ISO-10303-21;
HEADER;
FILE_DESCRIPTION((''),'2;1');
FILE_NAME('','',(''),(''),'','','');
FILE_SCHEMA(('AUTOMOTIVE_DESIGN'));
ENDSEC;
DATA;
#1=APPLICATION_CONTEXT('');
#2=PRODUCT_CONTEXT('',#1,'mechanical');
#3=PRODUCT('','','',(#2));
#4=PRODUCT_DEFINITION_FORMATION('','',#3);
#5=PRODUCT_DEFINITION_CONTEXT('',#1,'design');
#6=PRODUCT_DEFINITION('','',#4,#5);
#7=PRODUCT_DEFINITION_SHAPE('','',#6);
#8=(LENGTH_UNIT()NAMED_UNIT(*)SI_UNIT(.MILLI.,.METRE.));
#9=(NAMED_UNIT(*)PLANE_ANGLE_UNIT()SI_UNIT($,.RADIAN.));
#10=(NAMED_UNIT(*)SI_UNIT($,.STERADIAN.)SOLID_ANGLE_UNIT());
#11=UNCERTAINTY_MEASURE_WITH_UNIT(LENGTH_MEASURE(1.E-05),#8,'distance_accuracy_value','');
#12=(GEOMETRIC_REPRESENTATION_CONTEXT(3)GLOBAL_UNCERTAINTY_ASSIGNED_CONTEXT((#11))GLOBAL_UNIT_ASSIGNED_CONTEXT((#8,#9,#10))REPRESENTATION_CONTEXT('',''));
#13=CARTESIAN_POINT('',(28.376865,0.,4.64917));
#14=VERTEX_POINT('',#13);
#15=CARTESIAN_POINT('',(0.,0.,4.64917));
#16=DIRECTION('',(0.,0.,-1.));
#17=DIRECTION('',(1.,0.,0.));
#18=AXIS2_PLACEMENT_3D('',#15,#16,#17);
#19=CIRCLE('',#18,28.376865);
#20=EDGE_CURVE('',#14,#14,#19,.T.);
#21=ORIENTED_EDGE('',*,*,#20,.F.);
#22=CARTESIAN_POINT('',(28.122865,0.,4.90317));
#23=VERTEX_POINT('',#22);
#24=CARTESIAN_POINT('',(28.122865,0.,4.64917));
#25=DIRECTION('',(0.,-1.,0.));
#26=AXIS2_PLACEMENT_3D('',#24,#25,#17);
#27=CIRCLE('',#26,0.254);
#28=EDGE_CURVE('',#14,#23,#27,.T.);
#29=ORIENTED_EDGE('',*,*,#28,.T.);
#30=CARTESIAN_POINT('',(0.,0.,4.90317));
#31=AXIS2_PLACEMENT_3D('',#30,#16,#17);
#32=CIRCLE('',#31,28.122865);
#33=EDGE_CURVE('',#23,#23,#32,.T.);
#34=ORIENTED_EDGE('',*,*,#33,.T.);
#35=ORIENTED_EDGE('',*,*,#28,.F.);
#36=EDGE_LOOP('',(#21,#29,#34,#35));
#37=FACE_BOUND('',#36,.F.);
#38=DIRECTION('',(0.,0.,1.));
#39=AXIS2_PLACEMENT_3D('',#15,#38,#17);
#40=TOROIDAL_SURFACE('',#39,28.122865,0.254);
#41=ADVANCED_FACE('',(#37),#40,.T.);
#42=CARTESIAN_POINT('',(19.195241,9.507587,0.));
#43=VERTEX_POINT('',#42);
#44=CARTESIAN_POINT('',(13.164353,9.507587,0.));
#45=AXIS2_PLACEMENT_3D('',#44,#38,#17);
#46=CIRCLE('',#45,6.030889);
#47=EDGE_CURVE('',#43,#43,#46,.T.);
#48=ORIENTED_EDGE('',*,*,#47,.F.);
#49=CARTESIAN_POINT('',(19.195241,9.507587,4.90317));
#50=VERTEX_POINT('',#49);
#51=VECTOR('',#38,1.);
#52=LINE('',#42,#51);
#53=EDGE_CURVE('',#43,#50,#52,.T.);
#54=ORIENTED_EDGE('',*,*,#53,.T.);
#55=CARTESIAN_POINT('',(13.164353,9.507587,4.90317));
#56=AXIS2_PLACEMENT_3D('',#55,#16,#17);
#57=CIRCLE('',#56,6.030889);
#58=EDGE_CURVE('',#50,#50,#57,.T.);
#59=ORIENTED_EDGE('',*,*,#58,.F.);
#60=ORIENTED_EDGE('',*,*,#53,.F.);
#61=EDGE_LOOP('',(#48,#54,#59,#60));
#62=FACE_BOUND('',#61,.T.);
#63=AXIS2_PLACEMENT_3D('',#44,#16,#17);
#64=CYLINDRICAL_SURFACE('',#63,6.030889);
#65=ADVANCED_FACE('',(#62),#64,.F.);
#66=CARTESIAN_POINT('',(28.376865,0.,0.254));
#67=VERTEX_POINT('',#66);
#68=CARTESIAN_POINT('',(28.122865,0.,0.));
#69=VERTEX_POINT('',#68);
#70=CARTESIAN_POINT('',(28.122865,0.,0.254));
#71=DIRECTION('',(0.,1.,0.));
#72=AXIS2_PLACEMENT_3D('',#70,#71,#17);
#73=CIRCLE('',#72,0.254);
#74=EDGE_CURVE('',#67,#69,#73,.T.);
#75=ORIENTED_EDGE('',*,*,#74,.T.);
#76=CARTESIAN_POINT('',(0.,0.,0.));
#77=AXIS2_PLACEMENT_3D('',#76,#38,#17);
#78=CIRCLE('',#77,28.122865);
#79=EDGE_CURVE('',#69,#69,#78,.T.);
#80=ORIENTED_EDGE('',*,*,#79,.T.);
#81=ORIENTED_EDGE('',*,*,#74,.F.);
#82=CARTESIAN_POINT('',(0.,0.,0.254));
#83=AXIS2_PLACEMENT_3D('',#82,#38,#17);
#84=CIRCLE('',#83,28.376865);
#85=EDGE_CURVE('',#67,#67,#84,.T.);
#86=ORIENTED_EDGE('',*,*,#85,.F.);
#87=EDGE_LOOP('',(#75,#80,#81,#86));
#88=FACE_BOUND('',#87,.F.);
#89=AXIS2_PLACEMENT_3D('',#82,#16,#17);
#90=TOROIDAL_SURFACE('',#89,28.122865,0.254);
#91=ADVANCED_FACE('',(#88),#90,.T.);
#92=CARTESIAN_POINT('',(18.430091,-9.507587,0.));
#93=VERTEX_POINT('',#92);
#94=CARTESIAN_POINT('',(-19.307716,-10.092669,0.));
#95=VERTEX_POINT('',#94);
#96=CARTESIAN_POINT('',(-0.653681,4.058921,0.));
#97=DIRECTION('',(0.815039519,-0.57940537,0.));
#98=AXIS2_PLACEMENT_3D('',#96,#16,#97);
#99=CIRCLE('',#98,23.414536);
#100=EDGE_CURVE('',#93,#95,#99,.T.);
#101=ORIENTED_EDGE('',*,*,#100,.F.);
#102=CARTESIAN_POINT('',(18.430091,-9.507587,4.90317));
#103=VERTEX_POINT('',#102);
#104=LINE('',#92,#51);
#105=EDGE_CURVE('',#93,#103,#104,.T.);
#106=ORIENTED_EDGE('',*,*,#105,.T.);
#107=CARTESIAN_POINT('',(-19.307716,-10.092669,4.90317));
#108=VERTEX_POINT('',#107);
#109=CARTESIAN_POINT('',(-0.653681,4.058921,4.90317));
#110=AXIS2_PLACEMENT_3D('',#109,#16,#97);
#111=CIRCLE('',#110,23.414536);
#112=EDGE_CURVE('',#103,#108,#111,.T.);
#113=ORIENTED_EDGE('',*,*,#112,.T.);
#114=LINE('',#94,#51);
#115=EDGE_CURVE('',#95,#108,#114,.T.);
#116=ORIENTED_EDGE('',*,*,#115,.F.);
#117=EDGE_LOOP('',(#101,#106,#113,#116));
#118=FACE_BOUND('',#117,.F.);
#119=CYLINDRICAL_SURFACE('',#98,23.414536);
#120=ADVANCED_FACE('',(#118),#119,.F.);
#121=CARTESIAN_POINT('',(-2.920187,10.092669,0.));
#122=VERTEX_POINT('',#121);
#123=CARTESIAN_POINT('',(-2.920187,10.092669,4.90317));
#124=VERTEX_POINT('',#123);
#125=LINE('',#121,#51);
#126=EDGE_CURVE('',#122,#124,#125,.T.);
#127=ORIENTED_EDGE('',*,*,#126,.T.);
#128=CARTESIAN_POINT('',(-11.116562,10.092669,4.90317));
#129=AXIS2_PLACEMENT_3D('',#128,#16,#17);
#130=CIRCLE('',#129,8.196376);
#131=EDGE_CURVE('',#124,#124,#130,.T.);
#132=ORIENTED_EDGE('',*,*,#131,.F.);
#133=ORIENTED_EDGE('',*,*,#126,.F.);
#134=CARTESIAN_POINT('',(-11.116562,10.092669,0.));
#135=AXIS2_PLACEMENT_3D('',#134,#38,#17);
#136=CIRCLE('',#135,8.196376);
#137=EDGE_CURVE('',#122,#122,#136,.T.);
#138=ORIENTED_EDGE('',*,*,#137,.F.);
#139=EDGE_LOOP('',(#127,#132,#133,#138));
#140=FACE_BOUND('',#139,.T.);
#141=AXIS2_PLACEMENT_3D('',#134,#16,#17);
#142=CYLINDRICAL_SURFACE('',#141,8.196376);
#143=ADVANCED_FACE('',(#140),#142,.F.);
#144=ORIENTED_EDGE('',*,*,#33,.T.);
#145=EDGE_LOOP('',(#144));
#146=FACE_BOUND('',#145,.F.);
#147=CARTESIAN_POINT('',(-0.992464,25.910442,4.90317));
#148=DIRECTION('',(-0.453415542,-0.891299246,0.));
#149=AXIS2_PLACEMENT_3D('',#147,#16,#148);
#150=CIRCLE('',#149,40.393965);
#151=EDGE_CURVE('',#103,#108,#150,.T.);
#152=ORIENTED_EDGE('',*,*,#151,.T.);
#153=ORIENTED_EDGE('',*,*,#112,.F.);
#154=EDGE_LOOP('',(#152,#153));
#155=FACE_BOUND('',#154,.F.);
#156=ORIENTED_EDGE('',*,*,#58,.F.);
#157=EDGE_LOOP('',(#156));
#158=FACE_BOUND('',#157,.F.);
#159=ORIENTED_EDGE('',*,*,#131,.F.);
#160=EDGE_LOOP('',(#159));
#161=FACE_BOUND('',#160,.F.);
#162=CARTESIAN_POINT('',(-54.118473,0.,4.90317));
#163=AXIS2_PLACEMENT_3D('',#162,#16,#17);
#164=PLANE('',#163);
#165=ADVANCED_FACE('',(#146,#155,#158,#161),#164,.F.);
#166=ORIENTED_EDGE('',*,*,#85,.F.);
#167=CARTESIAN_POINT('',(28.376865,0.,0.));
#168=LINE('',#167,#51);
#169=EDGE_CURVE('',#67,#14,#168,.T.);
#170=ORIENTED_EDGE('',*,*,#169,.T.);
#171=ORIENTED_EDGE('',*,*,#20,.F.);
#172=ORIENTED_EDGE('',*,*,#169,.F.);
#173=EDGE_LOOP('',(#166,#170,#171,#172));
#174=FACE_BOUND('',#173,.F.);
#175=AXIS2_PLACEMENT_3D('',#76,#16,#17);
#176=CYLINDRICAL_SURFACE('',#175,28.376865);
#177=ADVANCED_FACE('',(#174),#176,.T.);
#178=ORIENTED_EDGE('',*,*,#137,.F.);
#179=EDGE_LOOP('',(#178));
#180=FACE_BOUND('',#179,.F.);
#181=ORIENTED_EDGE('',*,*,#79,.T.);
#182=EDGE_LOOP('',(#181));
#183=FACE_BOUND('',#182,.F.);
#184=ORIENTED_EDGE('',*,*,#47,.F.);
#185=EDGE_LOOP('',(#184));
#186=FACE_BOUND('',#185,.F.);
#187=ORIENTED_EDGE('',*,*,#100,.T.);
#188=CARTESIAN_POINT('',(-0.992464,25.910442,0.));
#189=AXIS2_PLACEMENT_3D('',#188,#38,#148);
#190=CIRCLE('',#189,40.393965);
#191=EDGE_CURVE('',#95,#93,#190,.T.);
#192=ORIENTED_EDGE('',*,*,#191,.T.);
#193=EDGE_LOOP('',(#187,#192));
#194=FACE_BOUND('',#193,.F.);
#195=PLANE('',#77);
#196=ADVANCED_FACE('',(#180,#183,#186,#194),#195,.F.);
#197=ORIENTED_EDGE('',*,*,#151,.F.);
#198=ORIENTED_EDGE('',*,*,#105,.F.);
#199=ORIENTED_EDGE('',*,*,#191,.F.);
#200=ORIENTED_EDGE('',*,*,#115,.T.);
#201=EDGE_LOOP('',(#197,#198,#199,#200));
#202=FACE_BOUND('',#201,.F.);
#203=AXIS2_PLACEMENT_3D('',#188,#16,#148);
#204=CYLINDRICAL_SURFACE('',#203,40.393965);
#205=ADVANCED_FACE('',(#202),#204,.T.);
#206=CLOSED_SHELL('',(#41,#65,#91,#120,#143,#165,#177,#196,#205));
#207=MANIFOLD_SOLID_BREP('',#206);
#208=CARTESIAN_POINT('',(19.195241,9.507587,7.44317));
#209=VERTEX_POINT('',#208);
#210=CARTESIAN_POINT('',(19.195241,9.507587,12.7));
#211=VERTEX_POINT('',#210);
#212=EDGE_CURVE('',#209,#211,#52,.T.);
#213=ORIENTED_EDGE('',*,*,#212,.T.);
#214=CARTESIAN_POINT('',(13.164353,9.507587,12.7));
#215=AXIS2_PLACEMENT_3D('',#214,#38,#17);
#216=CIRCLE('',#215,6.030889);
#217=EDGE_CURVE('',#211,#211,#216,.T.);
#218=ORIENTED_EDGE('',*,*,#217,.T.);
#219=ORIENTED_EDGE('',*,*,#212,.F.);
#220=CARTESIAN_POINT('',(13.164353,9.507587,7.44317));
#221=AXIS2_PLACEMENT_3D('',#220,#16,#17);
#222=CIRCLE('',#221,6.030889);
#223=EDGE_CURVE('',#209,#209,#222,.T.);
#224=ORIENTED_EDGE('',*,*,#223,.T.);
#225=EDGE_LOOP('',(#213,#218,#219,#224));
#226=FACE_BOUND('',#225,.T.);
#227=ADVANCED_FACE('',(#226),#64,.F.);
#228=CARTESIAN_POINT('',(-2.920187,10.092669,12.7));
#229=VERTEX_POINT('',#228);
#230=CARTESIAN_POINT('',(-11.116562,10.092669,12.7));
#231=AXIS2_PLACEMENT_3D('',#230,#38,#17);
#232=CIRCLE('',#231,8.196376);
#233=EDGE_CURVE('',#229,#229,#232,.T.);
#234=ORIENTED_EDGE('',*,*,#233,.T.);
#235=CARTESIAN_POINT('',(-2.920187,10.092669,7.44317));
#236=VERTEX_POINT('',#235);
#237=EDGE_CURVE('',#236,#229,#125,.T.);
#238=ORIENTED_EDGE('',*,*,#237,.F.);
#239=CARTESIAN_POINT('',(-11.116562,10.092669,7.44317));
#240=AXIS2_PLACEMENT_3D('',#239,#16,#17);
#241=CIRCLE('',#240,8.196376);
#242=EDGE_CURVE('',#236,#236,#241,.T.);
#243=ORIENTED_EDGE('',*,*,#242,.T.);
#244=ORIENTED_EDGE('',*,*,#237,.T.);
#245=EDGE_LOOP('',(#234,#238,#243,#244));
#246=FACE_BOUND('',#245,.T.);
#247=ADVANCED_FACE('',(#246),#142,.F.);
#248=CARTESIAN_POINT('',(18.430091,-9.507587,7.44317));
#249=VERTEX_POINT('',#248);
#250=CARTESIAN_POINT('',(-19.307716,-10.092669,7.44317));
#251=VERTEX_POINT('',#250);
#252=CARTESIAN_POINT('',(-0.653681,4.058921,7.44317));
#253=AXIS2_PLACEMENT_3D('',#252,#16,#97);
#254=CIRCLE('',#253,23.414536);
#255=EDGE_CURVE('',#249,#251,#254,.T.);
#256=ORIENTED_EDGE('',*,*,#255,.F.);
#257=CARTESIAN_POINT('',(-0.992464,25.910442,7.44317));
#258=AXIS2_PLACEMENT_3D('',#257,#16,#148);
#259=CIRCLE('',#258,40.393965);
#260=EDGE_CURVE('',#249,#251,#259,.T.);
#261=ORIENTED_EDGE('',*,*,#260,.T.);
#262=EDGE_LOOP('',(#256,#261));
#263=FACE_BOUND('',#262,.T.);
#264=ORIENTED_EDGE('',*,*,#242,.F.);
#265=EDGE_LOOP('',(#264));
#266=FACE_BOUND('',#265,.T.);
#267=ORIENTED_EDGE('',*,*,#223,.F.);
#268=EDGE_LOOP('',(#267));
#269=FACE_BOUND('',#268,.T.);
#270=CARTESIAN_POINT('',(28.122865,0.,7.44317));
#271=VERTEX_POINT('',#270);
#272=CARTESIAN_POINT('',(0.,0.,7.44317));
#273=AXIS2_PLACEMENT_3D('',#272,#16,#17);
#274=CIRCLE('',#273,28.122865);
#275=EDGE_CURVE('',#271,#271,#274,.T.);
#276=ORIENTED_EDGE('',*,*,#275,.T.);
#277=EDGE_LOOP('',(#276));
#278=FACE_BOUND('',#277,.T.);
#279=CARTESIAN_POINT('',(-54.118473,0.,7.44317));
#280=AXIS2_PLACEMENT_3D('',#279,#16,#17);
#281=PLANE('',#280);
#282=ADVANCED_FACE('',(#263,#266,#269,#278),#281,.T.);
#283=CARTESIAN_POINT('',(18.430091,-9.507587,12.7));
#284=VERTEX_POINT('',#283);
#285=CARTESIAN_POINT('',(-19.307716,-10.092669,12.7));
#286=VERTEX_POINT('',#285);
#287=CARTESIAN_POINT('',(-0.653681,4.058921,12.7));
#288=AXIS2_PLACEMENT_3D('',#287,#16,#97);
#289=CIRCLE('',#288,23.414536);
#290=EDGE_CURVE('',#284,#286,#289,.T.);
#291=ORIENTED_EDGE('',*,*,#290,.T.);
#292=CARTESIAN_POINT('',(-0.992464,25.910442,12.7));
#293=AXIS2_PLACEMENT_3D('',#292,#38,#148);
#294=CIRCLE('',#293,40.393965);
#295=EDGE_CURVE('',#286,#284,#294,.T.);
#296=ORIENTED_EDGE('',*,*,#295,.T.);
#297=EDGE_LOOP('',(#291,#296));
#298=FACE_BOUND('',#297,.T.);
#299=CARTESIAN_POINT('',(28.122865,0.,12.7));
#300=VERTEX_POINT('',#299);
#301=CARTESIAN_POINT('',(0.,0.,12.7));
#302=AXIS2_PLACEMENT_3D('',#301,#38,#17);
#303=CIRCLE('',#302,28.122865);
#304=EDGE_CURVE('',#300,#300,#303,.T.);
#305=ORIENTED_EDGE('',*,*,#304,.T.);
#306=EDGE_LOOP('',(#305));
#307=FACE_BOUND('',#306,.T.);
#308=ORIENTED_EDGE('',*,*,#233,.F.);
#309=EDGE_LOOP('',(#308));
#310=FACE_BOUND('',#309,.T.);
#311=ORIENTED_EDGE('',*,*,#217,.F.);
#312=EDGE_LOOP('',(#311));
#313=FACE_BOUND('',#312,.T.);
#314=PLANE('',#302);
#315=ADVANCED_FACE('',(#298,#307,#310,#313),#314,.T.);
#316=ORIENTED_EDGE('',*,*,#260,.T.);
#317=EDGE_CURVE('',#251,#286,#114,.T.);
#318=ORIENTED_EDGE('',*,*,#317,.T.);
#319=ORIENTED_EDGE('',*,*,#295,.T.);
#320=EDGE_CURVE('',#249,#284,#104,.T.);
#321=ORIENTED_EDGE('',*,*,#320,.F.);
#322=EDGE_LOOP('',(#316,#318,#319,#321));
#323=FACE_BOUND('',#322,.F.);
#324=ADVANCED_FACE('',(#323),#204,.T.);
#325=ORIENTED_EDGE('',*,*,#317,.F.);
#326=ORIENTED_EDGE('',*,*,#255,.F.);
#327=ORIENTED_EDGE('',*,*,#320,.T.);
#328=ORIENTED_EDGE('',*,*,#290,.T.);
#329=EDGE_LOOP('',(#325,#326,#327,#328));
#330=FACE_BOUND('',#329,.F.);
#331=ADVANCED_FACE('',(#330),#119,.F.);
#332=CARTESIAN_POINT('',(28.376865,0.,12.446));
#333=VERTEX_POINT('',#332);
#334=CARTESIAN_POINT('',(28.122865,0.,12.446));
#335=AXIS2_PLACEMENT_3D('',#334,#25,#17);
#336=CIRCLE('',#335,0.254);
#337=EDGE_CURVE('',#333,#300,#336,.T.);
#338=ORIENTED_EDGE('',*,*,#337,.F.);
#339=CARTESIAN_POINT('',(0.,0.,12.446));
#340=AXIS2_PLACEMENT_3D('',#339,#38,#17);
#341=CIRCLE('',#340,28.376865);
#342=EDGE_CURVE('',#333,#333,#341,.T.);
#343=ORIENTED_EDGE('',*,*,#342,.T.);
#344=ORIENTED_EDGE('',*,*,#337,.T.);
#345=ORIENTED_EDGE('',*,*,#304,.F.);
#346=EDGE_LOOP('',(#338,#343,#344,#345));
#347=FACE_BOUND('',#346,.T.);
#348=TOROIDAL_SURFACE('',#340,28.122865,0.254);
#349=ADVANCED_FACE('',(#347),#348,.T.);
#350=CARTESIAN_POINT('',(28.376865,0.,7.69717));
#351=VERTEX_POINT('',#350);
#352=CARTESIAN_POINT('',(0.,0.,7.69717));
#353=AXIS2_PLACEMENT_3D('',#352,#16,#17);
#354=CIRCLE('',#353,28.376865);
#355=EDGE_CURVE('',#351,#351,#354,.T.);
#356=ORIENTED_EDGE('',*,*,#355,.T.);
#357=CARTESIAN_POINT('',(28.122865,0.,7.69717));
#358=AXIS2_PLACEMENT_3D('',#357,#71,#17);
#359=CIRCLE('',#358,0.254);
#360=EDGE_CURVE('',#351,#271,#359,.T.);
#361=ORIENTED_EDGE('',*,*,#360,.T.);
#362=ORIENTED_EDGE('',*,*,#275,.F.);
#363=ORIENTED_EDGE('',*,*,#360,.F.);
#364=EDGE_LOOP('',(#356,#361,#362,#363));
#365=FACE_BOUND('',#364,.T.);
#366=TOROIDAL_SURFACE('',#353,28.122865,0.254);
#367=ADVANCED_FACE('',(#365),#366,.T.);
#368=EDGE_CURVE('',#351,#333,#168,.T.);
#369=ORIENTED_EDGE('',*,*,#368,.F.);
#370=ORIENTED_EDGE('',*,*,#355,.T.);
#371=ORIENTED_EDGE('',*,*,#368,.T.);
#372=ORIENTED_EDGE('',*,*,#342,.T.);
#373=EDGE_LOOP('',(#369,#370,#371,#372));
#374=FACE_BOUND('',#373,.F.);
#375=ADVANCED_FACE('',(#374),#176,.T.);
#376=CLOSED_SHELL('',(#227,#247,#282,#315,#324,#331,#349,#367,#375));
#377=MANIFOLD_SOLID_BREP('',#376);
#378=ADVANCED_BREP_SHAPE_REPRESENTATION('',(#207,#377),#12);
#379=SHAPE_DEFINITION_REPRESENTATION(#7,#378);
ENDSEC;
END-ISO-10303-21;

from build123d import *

# Parameters (mm, degrees)
F0_R     = 28.3768649986
F0_R_2   = 8.1963755189
F0_R_3   = 6.0308885492
F1_DEPTH = 12.7
F2_W     = 110.4900132516
F2_H     = 2.54
F3_DEPTH = 39.96657
F4_R     = 0.254


with BuildPart() as f1:
    # F0 (on Top) → F1 (new body)
    with BuildSketch(Plane.XY):
        Circle(F0_R)
        with BuildLine():
            ThreePointArc((18.4300914407, -9.5075871795), (-0.2907087951, -19.3528018979), (-19.3077158183, -10.0926691666))
            ThreePointArc((-19.3077158183, -10.0926691666), (-0.3662766969, -14.478669765), (18.4300914407, -9.5075871795))
        make_face(mode=Mode.SUBTRACT)
        with Locations((-11.1165624112, 10.0926691666)):
            Circle(F0_R_2, mode=Mode.SUBTRACT)
        with Locations((13.1643526256, 9.5075871795)):
            Circle(F0_R_3, mode=Mode.SUBTRACT)
    extrude(amount=F1_DEPTH)

    # F2 (on Front) → F3 (cut, symmetric)
    with BuildSketch(Plane.XZ):
        with Locations((1.1265333742, 6.1731699388)):
            Rectangle(F2_W, F2_H)
    extrude(amount=F3_DEPTH, both=True, mode=Mode.SUBTRACT)

    # F4
    f4_edges = [f1.edges().sort_by_distance(p)[0] for p in [
        (-28.376865, 0, 12.7),
        (-28.376865, 0, 0),
        (-28.376865, 0, 7.44317),
        (-28.376865, 0, 4.90317),
    ]]
    fillet(f4_edges, radius=F4_R)


solid = f1.part
